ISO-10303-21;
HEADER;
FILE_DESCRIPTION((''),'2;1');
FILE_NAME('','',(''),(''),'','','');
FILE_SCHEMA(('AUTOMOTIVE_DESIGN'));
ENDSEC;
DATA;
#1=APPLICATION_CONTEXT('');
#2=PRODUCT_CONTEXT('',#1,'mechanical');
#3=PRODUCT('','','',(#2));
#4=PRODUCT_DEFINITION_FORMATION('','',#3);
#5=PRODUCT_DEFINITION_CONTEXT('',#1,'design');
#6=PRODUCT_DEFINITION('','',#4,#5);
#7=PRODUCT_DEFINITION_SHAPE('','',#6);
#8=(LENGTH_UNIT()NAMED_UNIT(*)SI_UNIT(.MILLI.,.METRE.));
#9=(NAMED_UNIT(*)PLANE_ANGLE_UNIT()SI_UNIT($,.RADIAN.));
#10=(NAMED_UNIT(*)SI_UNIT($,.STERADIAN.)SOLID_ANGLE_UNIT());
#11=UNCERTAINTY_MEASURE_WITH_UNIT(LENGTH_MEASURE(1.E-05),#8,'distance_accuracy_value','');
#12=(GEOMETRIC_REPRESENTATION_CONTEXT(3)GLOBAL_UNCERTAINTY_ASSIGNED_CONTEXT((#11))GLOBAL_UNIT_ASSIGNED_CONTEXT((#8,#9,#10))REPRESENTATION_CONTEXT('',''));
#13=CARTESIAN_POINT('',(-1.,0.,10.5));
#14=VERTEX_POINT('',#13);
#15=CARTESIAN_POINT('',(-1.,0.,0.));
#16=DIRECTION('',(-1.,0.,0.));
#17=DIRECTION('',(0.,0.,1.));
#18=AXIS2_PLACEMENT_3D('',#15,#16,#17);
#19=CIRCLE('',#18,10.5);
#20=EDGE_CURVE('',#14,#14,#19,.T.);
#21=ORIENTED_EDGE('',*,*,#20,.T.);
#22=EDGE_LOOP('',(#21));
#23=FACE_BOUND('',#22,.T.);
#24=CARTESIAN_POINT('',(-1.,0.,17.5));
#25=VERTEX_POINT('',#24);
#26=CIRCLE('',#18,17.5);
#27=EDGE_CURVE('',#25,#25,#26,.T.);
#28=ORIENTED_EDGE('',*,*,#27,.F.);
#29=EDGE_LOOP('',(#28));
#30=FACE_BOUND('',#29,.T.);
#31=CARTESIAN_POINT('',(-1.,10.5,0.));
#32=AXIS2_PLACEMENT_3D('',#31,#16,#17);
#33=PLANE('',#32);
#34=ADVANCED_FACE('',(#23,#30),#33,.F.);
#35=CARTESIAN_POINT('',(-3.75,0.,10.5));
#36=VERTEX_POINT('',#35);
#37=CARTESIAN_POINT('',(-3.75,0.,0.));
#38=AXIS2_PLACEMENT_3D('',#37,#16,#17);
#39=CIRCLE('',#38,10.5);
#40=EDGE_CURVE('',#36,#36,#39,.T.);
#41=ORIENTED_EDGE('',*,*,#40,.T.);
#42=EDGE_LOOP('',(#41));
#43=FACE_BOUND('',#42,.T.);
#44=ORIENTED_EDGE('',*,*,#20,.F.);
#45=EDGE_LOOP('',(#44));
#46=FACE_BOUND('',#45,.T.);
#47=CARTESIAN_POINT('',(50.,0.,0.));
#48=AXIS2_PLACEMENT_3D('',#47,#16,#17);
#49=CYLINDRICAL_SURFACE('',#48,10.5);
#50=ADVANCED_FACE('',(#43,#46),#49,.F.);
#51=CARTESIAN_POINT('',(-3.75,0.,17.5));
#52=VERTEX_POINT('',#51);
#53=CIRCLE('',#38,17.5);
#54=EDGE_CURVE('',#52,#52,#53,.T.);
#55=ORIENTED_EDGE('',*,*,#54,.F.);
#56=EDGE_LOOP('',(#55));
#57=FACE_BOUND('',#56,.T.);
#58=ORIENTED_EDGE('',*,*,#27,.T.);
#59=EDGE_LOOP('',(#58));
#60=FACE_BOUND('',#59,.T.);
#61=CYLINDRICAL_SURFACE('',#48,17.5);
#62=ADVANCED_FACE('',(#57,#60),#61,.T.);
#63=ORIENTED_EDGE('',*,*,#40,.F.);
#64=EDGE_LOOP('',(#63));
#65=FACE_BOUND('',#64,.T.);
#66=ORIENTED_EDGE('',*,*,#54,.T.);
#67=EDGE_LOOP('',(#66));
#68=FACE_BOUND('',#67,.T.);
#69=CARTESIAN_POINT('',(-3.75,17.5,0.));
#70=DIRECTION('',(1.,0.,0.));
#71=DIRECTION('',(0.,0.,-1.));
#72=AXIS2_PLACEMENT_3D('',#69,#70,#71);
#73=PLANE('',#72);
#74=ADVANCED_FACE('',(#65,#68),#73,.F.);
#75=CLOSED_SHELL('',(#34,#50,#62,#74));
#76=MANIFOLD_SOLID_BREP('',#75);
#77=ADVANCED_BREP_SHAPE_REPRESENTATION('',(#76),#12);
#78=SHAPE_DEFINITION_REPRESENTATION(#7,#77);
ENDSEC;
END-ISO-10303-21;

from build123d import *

# Parameters (mm, degrees)
SKETCH1_W = 2.75
SKETCH1_H = 7


with BuildPart() as part:
    # Sketch1 → Revolve1 (revolve)
    with BuildSketch(Plane.XY):
        with Locations((-2.375, 14)):
            Rectangle(SKETCH1_W, SKETCH1_H)
    revolve(axis=Axis((50, 0, 0), (-1, 0, 0)))


solid = part.part
